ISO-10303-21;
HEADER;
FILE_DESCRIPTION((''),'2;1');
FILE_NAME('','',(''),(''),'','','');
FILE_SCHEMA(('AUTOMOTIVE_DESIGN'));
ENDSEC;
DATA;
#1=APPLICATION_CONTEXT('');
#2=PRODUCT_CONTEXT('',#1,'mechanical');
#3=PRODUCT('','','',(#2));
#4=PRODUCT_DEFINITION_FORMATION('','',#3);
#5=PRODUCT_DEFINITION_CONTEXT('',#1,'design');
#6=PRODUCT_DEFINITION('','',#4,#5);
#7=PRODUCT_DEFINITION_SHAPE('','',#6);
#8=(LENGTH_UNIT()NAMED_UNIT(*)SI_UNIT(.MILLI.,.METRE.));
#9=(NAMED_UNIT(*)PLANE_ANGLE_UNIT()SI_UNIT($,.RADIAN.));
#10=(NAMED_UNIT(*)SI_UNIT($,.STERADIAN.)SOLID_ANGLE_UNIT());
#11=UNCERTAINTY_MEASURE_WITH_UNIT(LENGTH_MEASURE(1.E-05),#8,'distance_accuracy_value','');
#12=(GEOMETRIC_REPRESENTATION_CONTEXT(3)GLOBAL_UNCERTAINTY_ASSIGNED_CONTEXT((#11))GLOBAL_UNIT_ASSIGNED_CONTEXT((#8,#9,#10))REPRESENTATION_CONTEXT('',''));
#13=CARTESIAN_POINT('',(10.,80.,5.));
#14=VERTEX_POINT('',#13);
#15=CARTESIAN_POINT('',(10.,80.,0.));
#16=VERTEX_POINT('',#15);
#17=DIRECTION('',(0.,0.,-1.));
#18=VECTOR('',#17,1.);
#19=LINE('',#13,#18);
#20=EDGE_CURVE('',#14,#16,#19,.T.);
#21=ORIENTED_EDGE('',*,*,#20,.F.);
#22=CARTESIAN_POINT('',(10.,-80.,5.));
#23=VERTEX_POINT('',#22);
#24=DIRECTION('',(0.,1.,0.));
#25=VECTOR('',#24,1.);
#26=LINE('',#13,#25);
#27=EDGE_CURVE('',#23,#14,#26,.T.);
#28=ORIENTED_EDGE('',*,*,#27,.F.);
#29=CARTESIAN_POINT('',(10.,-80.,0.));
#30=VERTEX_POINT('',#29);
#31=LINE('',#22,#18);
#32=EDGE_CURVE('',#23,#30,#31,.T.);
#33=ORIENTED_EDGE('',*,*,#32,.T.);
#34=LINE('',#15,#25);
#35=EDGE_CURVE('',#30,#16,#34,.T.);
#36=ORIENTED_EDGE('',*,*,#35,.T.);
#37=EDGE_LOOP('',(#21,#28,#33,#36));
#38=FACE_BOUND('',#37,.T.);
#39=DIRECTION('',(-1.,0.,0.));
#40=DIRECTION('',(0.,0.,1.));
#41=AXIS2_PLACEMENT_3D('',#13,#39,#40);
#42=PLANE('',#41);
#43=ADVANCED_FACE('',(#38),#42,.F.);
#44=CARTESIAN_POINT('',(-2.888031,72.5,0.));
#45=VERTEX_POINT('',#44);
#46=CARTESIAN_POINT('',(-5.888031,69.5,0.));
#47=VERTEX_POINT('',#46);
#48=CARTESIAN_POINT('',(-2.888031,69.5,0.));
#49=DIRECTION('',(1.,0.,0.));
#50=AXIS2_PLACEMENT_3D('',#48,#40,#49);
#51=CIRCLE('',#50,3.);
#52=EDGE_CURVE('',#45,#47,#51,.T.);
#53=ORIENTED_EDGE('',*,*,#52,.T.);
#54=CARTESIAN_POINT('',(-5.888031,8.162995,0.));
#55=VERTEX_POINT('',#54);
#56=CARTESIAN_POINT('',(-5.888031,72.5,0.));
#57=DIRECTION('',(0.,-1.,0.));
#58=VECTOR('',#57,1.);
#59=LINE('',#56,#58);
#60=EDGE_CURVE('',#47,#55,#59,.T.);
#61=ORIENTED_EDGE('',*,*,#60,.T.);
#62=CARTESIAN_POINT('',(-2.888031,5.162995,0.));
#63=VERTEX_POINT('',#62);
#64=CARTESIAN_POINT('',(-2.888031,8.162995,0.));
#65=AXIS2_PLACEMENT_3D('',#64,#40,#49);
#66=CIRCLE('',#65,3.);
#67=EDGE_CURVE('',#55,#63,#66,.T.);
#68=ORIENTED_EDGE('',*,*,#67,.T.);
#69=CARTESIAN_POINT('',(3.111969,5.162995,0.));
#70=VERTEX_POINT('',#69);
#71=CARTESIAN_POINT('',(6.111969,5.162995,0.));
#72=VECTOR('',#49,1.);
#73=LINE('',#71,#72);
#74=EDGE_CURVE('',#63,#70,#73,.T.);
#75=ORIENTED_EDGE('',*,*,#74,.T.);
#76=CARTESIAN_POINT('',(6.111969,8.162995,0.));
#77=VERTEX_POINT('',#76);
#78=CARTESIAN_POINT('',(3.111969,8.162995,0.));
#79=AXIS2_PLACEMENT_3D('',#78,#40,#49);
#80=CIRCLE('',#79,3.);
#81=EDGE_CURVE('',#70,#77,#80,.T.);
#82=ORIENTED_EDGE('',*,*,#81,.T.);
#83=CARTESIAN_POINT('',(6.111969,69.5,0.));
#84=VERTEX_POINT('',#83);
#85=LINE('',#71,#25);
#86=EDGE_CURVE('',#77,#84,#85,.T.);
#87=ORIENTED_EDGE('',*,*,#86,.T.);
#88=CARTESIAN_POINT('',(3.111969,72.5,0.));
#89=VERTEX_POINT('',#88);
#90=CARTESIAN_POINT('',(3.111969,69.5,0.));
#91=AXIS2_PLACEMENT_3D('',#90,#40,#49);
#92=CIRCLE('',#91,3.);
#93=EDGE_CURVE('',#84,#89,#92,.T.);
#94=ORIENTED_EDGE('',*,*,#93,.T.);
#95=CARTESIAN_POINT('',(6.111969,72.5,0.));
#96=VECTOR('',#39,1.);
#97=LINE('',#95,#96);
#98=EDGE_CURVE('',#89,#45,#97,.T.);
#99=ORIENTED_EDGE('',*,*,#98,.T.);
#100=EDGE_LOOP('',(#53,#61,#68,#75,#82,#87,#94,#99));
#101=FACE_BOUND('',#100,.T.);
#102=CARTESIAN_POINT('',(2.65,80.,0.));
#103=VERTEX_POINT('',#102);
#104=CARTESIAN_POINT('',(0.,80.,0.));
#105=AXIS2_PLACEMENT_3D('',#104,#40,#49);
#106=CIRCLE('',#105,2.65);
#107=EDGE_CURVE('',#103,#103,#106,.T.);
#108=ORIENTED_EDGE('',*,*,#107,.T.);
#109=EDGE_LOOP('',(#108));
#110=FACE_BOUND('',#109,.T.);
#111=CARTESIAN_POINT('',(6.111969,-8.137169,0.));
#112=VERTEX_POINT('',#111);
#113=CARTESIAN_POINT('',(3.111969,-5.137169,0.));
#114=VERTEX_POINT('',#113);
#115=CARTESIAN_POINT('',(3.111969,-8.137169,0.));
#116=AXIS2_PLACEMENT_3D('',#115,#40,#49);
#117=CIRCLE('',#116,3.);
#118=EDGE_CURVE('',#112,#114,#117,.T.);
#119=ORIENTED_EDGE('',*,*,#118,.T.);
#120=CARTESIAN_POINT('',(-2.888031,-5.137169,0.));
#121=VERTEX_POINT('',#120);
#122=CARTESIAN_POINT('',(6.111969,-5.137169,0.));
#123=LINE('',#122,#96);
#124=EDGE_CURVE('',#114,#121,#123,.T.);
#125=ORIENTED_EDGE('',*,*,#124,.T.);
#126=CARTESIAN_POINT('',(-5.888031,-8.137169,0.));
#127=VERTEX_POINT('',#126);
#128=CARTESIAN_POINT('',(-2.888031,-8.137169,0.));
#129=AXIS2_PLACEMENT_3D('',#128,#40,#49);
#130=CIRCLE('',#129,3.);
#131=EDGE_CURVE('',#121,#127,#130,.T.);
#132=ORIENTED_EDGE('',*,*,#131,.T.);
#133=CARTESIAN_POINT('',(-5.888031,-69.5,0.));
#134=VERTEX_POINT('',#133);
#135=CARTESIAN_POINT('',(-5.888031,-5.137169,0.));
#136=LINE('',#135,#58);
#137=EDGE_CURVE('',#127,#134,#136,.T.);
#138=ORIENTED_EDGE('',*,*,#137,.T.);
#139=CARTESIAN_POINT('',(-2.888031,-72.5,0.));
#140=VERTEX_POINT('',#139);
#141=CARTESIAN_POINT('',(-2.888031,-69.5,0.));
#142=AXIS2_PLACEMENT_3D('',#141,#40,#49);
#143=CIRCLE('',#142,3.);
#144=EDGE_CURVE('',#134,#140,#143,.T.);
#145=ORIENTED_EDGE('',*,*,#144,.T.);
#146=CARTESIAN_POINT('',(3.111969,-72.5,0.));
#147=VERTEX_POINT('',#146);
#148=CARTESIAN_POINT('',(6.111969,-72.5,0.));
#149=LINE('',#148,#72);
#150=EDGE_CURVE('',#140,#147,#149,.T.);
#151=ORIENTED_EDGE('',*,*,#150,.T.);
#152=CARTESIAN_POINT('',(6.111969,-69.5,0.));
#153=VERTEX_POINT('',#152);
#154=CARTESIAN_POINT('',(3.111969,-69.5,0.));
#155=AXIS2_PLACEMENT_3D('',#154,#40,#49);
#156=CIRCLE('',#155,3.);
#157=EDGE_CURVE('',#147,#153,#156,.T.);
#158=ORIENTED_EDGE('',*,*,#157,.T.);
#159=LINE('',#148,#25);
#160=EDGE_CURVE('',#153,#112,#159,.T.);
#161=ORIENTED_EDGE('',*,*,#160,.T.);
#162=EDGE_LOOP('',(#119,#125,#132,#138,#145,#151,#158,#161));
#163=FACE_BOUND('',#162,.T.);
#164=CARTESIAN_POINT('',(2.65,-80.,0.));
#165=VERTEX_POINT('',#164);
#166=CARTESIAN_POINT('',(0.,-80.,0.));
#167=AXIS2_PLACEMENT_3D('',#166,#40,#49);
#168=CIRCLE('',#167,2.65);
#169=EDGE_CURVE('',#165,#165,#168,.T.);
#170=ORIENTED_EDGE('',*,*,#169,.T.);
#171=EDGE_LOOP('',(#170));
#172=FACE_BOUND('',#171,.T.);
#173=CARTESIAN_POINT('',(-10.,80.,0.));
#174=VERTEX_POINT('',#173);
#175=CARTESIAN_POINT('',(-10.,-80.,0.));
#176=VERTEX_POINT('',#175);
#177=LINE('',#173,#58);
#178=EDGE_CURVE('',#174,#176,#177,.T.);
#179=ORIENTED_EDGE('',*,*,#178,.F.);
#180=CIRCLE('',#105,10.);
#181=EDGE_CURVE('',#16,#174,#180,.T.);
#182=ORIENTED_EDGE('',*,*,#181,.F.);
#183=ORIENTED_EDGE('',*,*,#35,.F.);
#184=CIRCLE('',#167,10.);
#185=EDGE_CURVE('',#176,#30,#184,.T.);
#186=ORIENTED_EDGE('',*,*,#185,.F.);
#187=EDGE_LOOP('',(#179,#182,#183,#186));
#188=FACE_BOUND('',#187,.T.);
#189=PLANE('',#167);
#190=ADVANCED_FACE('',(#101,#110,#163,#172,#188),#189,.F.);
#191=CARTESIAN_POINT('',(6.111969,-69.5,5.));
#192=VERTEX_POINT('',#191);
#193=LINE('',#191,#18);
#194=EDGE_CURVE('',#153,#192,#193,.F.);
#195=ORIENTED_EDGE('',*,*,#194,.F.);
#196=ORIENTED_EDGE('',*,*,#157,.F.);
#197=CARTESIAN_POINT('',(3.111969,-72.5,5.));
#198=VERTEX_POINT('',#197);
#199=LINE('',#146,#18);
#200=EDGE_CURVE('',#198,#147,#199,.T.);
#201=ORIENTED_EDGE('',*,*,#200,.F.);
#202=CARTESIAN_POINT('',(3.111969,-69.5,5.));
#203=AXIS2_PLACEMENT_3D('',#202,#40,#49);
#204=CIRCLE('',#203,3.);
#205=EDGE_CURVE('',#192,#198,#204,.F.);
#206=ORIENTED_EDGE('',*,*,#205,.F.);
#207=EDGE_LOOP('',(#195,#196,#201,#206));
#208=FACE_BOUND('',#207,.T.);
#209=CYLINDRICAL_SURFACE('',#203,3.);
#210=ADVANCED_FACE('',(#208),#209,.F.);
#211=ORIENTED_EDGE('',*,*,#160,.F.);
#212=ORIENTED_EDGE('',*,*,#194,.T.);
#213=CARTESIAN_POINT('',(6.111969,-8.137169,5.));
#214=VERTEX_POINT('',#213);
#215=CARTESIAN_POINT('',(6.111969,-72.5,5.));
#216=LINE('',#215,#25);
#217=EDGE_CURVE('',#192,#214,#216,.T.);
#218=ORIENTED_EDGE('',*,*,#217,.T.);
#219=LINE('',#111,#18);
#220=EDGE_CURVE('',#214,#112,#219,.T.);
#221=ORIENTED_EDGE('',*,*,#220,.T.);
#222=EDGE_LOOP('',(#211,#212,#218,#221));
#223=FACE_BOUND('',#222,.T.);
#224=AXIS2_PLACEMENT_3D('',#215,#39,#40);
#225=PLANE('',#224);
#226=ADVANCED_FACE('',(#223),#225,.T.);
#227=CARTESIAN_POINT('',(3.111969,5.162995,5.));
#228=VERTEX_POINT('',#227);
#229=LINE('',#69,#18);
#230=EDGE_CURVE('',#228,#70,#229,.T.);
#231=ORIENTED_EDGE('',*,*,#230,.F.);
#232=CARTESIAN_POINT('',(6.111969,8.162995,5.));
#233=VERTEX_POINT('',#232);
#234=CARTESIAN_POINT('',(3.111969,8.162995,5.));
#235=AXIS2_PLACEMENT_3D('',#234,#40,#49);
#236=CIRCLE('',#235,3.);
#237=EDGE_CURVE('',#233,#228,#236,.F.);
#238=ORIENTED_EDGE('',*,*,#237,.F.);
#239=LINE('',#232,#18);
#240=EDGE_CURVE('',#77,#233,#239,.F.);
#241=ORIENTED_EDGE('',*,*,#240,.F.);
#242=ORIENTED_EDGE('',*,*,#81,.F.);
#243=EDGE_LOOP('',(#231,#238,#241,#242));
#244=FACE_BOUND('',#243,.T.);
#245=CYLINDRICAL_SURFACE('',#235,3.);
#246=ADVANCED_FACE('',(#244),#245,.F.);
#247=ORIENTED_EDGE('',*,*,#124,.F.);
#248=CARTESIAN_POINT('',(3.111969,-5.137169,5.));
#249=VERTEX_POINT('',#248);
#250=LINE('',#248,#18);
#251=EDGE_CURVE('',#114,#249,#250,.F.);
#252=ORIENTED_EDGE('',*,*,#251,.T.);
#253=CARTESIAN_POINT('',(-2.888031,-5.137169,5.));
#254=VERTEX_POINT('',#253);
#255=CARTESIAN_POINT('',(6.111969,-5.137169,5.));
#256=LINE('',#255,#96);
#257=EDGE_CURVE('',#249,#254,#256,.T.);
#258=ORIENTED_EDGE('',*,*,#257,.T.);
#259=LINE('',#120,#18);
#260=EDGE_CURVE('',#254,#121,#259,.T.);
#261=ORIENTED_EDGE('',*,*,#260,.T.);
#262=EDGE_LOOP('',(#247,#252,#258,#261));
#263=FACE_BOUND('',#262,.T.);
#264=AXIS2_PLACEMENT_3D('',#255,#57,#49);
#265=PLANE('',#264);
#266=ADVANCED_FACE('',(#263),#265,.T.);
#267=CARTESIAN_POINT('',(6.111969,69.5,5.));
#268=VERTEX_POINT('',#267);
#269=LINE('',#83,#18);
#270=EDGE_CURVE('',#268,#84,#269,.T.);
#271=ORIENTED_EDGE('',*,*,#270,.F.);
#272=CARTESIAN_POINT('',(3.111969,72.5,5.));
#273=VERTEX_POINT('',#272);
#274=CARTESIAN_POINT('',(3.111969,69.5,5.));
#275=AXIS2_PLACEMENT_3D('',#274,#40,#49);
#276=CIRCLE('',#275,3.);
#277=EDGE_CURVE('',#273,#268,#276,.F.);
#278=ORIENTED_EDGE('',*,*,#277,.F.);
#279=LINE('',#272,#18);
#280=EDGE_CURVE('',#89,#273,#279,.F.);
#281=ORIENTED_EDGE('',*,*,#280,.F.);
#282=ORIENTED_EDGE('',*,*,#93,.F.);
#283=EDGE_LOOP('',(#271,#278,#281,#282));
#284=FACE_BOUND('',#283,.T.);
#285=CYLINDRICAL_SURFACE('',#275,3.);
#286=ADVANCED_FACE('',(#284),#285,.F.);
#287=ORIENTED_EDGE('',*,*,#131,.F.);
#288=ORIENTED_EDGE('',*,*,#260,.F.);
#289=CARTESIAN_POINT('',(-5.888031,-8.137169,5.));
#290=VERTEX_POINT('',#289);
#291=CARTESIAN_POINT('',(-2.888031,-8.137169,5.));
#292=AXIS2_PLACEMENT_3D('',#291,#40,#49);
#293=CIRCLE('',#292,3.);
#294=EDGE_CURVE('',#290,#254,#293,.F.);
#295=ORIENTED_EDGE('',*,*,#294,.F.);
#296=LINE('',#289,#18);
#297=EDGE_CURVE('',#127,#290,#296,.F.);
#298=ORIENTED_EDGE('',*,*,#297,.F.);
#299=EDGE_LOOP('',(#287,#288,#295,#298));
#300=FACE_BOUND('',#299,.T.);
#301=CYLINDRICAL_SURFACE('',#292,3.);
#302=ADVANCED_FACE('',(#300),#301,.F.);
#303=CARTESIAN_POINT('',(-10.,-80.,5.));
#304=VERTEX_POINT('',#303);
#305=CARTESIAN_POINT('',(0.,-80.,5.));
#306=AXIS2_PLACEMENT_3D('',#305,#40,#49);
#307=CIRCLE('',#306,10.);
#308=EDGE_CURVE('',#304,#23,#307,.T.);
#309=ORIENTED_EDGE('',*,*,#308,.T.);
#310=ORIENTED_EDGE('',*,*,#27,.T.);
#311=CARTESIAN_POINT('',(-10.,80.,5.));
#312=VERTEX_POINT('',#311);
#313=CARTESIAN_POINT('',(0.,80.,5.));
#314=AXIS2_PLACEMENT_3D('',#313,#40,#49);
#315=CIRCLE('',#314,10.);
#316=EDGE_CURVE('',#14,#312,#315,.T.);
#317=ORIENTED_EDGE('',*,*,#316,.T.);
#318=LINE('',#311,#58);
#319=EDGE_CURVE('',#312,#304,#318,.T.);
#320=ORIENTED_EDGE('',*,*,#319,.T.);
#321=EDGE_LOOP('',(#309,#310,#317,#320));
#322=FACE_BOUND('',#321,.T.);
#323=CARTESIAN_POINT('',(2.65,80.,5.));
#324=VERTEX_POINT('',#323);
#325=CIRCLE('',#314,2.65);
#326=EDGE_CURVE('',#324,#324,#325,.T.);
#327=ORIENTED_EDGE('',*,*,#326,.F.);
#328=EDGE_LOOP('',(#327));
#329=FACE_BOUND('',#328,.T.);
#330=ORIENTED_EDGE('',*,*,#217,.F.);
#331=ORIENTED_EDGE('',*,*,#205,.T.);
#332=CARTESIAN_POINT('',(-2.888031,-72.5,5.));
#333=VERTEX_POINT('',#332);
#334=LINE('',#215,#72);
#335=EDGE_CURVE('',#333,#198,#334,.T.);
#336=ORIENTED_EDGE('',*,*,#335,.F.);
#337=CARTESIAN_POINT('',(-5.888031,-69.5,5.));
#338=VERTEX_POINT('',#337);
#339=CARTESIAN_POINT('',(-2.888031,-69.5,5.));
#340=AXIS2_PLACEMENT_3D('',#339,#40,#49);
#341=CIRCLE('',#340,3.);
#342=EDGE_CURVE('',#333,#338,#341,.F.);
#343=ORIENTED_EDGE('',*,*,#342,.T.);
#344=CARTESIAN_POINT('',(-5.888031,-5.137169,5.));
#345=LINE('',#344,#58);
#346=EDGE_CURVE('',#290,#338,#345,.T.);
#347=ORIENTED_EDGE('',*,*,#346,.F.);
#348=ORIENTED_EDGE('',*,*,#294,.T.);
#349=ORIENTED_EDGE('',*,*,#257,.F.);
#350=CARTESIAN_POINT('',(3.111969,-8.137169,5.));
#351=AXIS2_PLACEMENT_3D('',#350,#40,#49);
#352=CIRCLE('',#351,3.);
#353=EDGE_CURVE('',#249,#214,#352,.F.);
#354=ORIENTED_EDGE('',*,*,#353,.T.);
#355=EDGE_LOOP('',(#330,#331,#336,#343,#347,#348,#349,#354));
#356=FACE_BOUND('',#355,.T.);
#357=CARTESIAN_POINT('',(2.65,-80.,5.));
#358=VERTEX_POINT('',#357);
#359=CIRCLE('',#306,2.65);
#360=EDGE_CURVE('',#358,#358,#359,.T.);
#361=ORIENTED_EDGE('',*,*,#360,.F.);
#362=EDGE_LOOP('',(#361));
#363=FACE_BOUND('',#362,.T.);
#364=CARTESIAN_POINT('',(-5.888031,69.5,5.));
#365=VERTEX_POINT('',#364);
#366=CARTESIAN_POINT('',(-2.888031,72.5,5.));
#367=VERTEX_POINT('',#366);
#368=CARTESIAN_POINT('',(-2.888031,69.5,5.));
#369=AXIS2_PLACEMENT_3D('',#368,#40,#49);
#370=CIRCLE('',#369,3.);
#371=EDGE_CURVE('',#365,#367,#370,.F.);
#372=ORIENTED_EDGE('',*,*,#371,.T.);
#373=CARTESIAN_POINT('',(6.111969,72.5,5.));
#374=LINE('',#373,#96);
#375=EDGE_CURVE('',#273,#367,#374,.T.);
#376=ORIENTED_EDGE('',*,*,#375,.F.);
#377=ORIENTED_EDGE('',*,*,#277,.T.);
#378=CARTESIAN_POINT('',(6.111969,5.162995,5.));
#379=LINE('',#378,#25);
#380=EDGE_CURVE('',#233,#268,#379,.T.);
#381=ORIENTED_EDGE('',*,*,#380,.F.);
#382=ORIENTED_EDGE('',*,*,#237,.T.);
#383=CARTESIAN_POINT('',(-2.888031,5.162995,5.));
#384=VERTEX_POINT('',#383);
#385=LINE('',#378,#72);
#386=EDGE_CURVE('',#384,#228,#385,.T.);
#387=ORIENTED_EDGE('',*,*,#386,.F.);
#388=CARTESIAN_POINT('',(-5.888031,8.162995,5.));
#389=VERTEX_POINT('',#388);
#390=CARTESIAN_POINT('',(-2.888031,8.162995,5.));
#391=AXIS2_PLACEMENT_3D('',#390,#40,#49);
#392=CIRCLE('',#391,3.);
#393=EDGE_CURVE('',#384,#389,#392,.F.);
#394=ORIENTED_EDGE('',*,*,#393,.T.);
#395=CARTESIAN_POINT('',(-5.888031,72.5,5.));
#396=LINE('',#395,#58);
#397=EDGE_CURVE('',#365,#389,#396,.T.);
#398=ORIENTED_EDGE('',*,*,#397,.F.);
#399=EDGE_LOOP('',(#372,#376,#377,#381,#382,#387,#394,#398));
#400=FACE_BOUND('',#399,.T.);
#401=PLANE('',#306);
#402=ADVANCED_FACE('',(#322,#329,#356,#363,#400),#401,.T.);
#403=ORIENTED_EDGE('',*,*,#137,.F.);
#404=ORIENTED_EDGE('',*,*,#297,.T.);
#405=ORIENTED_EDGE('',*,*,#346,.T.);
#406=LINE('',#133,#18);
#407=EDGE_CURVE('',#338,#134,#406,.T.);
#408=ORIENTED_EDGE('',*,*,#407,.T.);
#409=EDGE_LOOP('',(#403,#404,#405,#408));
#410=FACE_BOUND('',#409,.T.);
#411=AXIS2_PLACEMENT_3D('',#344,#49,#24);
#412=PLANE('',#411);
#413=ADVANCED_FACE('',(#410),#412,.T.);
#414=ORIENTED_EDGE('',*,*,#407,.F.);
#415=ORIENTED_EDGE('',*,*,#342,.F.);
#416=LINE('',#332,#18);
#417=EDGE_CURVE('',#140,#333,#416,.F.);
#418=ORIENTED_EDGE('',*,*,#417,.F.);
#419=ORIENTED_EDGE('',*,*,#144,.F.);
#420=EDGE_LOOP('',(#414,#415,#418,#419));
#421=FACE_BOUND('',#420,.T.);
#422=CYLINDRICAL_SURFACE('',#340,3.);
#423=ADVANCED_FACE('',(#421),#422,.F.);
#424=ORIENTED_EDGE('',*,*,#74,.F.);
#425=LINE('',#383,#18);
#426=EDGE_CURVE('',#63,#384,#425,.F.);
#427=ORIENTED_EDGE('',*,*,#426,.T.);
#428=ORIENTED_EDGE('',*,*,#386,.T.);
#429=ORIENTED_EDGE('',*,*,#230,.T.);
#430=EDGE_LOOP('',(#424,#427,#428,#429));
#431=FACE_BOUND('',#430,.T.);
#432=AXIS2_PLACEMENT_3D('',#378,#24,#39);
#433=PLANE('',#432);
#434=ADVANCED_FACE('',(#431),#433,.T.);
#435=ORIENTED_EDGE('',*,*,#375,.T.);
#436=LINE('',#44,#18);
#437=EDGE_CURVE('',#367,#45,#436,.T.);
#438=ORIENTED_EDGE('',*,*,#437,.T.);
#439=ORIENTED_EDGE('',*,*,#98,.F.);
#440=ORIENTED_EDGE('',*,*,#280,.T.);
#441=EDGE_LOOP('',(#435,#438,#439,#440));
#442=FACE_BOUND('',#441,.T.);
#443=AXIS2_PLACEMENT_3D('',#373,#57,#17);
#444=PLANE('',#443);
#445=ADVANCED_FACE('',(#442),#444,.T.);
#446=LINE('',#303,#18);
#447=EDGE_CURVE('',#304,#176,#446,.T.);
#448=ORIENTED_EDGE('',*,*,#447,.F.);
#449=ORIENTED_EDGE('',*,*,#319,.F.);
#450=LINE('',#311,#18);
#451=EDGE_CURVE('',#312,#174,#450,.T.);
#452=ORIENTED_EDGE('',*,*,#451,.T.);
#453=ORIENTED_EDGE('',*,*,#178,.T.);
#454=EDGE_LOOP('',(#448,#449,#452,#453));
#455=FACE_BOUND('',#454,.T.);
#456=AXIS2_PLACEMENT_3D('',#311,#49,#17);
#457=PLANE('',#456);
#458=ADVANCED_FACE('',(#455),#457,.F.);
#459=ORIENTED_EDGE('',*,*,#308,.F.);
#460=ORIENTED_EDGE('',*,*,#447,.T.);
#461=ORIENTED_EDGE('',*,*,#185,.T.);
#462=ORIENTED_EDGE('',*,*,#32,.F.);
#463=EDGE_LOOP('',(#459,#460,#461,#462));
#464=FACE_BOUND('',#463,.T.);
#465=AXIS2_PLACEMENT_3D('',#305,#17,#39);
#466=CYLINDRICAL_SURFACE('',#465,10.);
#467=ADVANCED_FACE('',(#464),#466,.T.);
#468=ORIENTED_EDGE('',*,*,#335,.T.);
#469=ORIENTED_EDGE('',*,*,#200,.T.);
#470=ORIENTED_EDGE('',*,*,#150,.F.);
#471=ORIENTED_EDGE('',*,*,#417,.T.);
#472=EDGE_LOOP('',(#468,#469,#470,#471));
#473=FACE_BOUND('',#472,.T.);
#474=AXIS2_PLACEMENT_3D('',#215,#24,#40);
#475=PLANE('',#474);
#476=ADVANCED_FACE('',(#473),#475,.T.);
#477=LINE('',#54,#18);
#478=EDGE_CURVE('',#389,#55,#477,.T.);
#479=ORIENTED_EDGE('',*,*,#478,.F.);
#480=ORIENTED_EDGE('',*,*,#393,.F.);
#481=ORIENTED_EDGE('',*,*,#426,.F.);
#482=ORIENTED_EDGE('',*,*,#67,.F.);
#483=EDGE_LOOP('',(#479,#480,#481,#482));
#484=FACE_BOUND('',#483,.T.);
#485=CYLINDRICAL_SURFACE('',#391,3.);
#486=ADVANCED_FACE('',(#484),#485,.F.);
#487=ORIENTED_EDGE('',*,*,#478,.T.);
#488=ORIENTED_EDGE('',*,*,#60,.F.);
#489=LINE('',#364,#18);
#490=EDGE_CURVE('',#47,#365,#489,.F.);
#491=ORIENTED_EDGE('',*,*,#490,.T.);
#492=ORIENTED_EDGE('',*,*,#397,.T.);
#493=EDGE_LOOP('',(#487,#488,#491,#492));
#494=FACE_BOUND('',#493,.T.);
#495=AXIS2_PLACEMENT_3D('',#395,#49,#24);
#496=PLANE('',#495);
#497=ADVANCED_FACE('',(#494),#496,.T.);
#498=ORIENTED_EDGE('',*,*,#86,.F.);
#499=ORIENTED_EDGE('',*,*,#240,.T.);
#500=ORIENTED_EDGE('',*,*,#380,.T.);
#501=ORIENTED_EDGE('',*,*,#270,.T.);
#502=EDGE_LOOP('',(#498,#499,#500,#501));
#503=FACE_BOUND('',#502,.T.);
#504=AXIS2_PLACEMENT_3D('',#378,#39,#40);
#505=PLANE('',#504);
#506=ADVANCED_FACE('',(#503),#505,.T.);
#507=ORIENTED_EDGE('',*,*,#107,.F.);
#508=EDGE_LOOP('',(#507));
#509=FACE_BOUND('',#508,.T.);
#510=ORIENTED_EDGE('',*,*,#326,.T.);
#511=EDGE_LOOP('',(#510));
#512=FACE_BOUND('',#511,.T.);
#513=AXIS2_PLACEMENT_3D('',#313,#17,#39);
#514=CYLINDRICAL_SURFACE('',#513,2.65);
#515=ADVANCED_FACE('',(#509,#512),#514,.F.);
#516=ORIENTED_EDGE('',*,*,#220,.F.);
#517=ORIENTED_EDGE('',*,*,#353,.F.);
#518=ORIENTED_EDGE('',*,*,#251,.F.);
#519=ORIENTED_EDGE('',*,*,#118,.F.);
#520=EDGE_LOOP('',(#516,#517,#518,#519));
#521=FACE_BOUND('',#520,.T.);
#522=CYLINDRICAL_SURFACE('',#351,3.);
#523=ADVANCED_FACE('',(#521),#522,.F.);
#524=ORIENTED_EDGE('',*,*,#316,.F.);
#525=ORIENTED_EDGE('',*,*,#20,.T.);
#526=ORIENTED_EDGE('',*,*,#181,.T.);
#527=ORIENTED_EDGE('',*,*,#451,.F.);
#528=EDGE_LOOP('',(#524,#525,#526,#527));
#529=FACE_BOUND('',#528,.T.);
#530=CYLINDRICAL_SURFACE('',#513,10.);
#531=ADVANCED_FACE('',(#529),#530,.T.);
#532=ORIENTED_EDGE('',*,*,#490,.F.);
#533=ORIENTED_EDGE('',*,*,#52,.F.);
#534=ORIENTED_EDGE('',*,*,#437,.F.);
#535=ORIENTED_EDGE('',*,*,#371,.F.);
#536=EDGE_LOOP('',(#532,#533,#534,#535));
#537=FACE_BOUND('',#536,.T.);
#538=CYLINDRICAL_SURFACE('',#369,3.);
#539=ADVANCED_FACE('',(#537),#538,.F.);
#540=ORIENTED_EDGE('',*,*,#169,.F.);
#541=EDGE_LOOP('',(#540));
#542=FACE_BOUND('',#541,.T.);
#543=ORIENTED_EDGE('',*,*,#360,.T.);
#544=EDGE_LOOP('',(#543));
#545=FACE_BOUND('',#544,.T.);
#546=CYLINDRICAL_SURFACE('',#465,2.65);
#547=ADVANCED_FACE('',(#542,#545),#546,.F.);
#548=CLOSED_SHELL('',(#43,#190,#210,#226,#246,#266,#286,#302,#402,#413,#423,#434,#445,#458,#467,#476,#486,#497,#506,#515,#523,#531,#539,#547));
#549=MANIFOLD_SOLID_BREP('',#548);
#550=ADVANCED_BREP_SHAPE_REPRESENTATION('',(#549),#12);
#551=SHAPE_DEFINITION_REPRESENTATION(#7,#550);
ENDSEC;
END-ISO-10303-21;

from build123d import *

# Parameters (mm, degrees)
SKETCH_1_R      = 2.65
SKETCH_1_W      = 12
SKETCH_1_H      = 67.337004634
SKETCH_1_H_2    = 67.362830637
EXTRUDE_1_DEPTH = 5
FILLET_1_R      = 3


with BuildPart() as part:
    # 草图1 → 凸台-拉伸1 (new body)
    with BuildSketch(Plane.XY):
        with BuildLine():
            Line((-10, 80), (-10, -80))
            ThreePointArc((-10, -80), (0, -90), (10, -80))
            Line((10, -80), (10, 80))
            ThreePointArc((10, 80), (0, 90), (-10, 80))
        make_face()
        with Locations((0, 80)):
            Circle(SKETCH_1_R, mode=Mode.SUBTRACT)
        with Locations((0, -80)):
            Circle(SKETCH_1_R, mode=Mode.SUBTRACT)
        with Locations((0.111968731, 38.831497683)):
            Rectangle(SKETCH_1_W, SKETCH_1_H, mode=Mode.SUBTRACT)
        with Locations((0.111968731, -38.818584681)):
            Rectangle(SKETCH_1_W, SKETCH_1_H_2, mode=Mode.SUBTRACT)
    extrude(amount=EXTRUDE_1_DEPTH)

    # 圆角1
    fillet_1_edges = [part.edges().sort_by_distance(p)[0] for p in [
        (-5.888031269, 5.162995366, 2.5),
        (6.111968731, 5.162995366, 2.5),
        (6.111968731, 72.5, 2.5),
        (-5.888031269, 72.5, 2.5),
        (-5.888031269, -5.137169363, 2.5),
        (-5.888031269, -72.5, 2.5),
        (6.111968731, -72.5, 2.5),
        (6.111968731, -5.137169363, 2.5),
    ]]
    fillet(fillet_1_edges, radius=FILLET_1_R)


solid = part.part
